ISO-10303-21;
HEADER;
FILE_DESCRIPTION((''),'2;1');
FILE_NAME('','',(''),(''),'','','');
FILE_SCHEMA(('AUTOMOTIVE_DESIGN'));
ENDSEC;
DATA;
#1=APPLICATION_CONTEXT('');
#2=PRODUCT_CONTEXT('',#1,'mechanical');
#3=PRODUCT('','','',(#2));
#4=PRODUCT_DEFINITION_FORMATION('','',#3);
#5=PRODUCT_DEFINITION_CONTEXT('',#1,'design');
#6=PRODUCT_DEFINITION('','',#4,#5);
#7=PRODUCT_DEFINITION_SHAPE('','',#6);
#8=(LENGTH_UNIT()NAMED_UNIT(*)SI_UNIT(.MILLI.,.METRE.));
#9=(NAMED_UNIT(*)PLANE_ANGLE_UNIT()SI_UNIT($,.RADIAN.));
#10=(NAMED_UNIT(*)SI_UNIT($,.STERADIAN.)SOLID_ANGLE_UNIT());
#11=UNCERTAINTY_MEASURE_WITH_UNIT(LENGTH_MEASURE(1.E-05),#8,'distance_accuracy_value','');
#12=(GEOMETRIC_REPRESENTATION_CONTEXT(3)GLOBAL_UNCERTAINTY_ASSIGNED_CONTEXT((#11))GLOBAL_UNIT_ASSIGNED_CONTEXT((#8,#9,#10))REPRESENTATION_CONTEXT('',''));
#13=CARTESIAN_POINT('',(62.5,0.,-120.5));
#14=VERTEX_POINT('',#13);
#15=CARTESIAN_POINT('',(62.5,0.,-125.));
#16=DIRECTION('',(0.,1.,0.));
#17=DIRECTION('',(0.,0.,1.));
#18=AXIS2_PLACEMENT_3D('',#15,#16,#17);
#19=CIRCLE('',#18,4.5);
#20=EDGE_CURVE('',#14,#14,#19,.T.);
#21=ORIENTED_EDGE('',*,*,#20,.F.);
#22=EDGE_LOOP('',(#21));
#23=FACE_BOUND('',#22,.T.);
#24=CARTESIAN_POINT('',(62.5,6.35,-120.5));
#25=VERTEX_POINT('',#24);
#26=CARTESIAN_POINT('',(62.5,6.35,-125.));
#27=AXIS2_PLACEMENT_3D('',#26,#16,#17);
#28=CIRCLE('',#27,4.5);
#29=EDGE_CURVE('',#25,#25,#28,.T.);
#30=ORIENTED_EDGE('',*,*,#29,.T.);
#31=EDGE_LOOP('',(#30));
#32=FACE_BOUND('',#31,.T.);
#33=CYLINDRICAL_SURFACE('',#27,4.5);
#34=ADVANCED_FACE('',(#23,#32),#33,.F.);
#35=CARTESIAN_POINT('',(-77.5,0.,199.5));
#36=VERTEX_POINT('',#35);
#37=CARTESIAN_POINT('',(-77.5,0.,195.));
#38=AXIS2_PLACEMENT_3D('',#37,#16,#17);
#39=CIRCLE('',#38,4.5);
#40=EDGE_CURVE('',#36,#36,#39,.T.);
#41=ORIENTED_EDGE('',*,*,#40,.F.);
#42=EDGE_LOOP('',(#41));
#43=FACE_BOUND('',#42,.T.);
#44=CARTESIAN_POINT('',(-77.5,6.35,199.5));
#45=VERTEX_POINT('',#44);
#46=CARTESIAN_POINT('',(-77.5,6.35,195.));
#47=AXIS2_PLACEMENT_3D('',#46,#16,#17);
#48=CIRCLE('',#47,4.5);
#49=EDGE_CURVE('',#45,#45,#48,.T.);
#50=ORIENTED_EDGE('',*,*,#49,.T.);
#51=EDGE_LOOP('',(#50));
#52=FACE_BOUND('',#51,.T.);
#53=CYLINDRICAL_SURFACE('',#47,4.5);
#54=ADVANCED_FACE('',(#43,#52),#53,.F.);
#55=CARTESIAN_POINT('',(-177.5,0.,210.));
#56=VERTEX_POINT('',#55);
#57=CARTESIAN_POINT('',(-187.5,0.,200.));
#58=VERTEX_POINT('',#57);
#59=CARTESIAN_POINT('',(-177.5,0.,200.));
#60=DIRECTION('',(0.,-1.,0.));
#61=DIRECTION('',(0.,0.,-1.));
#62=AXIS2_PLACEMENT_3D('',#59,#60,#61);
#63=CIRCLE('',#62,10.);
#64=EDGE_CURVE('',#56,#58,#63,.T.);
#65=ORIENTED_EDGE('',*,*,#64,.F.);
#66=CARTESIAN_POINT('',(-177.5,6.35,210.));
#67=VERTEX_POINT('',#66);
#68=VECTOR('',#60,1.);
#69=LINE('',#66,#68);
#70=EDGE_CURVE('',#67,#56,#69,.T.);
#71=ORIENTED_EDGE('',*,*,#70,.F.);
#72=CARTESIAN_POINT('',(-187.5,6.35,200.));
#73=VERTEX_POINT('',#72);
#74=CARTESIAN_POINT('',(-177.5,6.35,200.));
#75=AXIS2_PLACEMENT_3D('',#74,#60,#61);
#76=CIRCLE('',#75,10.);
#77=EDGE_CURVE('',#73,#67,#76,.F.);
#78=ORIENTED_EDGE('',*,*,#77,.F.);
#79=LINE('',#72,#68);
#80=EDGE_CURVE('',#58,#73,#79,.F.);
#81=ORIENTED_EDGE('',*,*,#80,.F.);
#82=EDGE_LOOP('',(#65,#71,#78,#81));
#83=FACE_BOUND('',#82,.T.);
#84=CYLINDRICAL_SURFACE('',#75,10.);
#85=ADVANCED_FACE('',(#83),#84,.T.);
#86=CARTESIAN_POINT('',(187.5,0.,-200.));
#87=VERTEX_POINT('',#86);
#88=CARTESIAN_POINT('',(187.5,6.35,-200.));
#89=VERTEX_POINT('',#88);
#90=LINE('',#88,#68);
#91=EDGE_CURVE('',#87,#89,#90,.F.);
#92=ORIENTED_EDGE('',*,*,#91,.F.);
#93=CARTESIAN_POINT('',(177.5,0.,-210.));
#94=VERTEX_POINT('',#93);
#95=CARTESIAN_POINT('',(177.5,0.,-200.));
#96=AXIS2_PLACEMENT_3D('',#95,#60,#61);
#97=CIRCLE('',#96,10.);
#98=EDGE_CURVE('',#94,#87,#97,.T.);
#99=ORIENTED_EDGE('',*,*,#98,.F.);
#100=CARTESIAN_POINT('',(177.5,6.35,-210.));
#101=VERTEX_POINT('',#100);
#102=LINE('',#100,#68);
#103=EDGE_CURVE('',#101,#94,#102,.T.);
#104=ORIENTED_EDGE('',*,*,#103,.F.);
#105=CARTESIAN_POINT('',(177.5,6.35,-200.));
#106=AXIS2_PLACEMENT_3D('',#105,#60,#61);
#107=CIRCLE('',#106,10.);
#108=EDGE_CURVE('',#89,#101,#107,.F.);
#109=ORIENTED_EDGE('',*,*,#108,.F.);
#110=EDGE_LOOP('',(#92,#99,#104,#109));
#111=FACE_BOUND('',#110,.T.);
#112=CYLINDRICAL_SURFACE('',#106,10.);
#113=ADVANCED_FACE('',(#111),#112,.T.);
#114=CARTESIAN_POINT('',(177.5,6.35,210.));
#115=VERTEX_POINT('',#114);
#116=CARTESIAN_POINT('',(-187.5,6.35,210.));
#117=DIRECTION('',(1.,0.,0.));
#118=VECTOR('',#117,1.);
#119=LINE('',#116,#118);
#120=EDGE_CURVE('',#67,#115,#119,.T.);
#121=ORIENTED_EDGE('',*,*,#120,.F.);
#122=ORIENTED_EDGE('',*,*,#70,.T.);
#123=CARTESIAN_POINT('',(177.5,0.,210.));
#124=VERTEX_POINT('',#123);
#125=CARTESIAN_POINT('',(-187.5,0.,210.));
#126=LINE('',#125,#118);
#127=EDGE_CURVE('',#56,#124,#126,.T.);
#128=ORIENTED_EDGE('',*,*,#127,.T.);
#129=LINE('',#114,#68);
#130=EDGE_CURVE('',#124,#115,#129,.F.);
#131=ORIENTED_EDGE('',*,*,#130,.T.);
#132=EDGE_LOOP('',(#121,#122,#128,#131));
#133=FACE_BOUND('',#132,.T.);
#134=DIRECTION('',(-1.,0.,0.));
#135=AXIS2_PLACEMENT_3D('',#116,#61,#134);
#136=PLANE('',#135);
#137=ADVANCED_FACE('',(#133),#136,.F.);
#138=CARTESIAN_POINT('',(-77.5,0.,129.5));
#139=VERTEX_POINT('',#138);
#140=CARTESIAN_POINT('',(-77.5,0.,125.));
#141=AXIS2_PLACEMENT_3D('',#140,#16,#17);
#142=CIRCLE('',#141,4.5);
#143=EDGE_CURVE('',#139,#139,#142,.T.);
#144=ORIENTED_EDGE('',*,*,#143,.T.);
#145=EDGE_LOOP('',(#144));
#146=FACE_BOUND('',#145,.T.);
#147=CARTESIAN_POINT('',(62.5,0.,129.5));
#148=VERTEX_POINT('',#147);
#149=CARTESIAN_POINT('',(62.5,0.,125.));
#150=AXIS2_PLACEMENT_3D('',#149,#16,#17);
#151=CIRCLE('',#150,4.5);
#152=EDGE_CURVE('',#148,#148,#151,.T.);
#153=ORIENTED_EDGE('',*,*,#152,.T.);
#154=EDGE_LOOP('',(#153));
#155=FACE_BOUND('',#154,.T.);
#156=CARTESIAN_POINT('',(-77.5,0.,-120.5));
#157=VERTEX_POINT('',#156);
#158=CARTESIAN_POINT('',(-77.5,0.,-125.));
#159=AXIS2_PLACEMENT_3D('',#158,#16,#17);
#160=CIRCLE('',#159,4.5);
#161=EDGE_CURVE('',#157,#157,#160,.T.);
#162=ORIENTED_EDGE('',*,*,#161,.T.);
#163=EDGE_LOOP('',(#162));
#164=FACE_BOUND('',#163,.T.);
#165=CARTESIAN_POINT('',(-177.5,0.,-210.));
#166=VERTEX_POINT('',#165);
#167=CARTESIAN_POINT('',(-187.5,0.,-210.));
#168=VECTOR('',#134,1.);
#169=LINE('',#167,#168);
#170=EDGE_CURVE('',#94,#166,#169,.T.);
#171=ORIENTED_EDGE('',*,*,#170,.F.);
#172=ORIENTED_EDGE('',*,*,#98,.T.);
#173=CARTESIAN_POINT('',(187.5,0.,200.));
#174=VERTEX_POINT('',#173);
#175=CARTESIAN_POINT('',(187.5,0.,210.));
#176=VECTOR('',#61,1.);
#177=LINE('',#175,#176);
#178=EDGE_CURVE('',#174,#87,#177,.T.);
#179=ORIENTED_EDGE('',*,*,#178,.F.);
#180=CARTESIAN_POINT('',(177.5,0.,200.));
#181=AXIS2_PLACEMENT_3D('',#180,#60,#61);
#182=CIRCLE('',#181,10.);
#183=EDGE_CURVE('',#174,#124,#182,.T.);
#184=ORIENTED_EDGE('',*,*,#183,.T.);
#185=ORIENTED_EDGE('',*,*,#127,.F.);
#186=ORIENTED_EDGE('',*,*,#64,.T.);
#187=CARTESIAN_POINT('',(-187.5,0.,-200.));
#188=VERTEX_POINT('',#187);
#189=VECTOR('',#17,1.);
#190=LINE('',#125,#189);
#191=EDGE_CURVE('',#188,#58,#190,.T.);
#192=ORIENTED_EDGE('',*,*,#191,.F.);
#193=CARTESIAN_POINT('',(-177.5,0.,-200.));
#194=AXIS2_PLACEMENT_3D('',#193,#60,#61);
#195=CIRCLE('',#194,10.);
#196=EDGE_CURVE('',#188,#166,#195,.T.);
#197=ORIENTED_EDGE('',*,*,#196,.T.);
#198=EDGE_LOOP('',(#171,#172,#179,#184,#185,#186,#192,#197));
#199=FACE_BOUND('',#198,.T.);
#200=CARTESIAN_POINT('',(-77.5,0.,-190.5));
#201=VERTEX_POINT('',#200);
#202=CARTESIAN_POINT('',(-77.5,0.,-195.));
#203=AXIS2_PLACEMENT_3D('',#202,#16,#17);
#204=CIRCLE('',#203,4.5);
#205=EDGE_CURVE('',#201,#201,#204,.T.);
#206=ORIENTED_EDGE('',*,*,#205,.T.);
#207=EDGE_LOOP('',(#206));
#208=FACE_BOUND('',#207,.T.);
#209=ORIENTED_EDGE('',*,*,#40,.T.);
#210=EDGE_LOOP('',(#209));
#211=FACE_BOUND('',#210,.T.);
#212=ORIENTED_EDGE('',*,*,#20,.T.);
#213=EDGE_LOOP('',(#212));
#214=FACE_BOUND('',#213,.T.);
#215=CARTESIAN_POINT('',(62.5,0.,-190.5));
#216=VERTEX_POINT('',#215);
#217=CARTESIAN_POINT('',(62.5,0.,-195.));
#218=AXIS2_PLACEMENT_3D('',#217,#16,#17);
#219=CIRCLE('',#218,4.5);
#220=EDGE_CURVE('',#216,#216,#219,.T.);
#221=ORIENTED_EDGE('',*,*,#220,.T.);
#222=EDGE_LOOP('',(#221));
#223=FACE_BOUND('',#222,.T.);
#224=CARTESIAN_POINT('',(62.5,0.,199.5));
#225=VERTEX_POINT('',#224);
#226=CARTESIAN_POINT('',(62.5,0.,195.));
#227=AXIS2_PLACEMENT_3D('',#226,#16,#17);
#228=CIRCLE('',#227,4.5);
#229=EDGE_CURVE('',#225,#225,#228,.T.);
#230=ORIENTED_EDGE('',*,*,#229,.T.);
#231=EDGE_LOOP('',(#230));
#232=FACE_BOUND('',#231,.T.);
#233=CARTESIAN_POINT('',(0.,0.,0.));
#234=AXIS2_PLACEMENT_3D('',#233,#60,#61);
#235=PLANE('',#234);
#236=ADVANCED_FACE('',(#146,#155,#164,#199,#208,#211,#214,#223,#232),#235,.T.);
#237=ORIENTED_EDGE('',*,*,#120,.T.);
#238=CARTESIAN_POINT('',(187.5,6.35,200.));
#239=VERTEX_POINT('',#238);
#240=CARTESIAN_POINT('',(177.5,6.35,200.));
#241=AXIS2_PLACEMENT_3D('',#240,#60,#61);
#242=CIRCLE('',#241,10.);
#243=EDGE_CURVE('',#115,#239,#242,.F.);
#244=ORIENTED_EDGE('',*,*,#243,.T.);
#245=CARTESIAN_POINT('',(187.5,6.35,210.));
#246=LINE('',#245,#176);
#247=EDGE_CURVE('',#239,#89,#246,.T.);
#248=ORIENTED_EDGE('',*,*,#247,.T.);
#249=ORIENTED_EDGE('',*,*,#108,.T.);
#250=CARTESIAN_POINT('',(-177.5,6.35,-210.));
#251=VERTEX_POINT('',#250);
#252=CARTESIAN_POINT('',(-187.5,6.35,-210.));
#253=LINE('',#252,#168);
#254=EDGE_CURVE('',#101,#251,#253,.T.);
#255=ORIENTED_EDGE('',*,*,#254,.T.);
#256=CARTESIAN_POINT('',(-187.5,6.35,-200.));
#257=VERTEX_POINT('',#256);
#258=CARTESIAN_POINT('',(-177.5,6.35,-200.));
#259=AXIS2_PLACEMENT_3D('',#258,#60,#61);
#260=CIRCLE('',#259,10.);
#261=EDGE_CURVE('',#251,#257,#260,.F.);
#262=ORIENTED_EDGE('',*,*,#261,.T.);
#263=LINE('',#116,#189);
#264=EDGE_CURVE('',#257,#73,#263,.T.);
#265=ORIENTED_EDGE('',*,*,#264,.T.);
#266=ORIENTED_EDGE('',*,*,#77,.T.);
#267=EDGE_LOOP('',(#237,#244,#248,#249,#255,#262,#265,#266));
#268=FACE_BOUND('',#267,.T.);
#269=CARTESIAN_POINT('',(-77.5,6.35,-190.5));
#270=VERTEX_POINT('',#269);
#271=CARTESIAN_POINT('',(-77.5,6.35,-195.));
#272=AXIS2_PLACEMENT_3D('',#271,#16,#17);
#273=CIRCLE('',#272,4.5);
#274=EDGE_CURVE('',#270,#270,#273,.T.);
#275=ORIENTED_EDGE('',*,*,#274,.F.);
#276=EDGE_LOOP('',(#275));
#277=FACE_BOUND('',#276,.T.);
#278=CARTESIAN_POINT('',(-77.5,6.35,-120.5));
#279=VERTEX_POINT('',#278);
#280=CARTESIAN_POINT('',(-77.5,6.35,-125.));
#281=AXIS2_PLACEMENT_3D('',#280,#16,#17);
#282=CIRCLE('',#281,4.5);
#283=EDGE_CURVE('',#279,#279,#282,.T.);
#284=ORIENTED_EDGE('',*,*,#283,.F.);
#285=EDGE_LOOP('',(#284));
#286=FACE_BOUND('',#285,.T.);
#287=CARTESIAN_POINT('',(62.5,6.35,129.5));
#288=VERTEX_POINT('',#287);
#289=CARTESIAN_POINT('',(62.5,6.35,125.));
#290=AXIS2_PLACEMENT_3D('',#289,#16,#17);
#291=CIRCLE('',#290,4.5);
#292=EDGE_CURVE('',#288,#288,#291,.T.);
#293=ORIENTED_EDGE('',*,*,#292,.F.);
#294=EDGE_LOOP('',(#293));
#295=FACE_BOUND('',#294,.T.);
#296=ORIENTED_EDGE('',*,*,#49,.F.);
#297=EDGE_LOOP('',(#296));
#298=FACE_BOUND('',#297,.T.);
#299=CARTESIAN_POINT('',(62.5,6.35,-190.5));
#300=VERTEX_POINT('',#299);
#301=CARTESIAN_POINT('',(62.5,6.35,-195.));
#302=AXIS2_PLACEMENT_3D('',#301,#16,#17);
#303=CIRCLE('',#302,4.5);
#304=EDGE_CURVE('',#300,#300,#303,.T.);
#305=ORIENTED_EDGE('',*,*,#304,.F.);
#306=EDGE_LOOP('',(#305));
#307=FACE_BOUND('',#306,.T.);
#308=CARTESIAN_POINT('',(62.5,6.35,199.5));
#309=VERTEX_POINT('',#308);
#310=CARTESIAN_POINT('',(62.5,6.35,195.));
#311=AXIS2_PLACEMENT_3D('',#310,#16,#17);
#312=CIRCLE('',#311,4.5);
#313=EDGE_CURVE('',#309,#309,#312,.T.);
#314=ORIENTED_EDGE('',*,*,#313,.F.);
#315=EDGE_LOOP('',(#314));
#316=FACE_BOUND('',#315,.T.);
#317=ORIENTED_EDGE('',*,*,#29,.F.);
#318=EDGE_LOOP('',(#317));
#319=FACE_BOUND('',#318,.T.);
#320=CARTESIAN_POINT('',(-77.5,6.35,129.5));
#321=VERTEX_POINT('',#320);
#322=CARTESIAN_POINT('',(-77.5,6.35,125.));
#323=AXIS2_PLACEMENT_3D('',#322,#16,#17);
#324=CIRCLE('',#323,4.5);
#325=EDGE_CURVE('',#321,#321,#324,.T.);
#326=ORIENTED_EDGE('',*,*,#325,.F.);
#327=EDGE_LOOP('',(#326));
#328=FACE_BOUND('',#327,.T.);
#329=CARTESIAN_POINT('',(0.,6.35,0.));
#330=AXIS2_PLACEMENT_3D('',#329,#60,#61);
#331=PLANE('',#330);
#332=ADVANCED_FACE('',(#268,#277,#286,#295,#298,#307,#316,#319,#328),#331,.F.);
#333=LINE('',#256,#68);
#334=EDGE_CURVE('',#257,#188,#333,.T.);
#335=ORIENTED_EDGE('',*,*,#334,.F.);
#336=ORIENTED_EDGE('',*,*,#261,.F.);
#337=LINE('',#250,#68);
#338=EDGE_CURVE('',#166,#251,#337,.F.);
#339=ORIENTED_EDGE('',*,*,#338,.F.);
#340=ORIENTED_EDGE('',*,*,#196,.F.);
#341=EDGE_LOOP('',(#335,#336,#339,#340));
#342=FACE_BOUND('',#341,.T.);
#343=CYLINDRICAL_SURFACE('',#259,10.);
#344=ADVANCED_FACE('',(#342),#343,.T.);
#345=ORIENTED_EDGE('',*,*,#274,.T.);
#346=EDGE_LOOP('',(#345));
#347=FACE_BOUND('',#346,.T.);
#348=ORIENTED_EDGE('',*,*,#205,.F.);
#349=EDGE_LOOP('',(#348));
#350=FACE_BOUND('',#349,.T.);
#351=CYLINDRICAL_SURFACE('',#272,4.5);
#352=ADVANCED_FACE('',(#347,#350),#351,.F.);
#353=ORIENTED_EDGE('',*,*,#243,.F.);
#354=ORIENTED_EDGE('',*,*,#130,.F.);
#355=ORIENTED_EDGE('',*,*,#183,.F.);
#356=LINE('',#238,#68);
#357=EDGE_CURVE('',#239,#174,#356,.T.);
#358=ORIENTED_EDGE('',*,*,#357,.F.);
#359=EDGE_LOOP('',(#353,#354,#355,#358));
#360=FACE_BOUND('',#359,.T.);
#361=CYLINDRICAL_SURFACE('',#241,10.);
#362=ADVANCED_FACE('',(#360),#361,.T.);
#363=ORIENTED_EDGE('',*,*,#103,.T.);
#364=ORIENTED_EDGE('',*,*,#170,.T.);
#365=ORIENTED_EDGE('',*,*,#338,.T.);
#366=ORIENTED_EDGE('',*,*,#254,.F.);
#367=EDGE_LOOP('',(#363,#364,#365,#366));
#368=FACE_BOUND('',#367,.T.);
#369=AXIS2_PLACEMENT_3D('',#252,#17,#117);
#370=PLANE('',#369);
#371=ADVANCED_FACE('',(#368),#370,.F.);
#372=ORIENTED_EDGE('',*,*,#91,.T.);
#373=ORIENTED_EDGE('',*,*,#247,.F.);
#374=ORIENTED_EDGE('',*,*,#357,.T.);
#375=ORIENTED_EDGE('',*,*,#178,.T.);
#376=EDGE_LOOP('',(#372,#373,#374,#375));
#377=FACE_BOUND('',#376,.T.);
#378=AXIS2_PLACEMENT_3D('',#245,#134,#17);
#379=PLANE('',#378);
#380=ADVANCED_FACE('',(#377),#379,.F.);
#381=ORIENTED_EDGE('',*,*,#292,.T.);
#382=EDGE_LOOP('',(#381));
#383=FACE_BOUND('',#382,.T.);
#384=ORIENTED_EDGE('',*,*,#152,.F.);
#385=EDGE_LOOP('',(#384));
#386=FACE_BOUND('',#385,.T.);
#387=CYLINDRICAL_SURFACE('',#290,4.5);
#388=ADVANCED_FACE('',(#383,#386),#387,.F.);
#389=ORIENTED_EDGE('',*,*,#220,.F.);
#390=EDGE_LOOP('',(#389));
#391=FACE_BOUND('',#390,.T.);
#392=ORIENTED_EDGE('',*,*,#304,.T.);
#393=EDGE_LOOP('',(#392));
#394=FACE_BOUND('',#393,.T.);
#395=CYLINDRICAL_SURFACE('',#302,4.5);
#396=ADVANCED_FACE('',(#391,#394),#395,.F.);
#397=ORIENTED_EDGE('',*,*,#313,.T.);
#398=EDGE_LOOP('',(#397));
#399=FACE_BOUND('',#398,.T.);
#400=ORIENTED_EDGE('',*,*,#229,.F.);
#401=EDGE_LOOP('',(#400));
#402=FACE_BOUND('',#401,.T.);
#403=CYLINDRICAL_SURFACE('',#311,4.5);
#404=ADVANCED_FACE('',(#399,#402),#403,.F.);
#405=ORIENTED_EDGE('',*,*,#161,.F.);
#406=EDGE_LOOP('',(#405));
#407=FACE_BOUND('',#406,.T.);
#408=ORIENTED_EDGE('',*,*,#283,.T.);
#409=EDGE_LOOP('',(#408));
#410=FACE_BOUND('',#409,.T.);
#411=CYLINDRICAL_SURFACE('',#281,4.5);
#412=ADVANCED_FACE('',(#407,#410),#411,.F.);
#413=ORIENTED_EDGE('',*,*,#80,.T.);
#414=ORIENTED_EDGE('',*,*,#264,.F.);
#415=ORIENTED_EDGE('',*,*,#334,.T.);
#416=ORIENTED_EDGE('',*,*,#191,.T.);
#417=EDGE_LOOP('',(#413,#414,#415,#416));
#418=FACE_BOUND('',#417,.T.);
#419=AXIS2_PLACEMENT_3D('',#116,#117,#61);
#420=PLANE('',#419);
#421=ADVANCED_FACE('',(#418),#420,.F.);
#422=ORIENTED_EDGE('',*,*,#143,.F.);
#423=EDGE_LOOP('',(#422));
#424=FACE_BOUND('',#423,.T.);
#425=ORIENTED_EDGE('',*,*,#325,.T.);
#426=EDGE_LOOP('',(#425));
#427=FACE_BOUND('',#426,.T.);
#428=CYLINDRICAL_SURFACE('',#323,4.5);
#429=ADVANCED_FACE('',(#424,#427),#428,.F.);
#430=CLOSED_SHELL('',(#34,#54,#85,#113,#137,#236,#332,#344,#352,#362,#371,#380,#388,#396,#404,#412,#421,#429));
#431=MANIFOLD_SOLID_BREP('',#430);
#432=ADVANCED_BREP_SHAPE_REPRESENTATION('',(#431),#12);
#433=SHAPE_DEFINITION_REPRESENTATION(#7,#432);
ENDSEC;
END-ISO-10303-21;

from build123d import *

# Parameters (mm, degrees)
SKETCH1_W            = 375
SKETCH1_H            = 420
BOSS_EXTRUDE1_DEPTH  = 6.35
FILLET1_R            = 10
M8_CLEARANCE_HOLE1_D = 9


with BuildPart() as part:
    # Sketch1 → Boss-Extrude1 (new body)
    with BuildSketch(Plane(origin=(0, 0, 0), x_dir=(1, 0, 0), z_dir=(0, 1, 0))):
        Rectangle(SKETCH1_W, SKETCH1_H)
    extrude(amount=BOSS_EXTRUDE1_DEPTH)

    # Fillet1
    fillet1_edges = [part.edges().sort_by_distance(p)[0] for p in [
        (187.5, 3.175, 210),
        (-187.5, 3.175, 210),
        (-187.5, 3.175, -210),
        (187.5, 3.175, -210),
    ]]
    fillet(fillet1_edges, radius=FILLET1_R)

    # M8 Clearance Hole1 (through all)
    with Locations(Plane(origin=(0, 6.35, 0), x_dir=(1, 0, 0), z_dir=(0, 1, 0))):
        with Locations((-77.5, -195), (62.5, -125), (-77.5, -125), (62.5, -195)):
            m8_clearance_hole1 = Hole(M8_CLEARANCE_HOLE1_D / 2)

    # Mirror1: M8 Clearance Hole1 across plane
    add(m8_clearance_hole1.mirror(Plane.XY), mode=Mode.SUBTRACT)


solid = part.part
